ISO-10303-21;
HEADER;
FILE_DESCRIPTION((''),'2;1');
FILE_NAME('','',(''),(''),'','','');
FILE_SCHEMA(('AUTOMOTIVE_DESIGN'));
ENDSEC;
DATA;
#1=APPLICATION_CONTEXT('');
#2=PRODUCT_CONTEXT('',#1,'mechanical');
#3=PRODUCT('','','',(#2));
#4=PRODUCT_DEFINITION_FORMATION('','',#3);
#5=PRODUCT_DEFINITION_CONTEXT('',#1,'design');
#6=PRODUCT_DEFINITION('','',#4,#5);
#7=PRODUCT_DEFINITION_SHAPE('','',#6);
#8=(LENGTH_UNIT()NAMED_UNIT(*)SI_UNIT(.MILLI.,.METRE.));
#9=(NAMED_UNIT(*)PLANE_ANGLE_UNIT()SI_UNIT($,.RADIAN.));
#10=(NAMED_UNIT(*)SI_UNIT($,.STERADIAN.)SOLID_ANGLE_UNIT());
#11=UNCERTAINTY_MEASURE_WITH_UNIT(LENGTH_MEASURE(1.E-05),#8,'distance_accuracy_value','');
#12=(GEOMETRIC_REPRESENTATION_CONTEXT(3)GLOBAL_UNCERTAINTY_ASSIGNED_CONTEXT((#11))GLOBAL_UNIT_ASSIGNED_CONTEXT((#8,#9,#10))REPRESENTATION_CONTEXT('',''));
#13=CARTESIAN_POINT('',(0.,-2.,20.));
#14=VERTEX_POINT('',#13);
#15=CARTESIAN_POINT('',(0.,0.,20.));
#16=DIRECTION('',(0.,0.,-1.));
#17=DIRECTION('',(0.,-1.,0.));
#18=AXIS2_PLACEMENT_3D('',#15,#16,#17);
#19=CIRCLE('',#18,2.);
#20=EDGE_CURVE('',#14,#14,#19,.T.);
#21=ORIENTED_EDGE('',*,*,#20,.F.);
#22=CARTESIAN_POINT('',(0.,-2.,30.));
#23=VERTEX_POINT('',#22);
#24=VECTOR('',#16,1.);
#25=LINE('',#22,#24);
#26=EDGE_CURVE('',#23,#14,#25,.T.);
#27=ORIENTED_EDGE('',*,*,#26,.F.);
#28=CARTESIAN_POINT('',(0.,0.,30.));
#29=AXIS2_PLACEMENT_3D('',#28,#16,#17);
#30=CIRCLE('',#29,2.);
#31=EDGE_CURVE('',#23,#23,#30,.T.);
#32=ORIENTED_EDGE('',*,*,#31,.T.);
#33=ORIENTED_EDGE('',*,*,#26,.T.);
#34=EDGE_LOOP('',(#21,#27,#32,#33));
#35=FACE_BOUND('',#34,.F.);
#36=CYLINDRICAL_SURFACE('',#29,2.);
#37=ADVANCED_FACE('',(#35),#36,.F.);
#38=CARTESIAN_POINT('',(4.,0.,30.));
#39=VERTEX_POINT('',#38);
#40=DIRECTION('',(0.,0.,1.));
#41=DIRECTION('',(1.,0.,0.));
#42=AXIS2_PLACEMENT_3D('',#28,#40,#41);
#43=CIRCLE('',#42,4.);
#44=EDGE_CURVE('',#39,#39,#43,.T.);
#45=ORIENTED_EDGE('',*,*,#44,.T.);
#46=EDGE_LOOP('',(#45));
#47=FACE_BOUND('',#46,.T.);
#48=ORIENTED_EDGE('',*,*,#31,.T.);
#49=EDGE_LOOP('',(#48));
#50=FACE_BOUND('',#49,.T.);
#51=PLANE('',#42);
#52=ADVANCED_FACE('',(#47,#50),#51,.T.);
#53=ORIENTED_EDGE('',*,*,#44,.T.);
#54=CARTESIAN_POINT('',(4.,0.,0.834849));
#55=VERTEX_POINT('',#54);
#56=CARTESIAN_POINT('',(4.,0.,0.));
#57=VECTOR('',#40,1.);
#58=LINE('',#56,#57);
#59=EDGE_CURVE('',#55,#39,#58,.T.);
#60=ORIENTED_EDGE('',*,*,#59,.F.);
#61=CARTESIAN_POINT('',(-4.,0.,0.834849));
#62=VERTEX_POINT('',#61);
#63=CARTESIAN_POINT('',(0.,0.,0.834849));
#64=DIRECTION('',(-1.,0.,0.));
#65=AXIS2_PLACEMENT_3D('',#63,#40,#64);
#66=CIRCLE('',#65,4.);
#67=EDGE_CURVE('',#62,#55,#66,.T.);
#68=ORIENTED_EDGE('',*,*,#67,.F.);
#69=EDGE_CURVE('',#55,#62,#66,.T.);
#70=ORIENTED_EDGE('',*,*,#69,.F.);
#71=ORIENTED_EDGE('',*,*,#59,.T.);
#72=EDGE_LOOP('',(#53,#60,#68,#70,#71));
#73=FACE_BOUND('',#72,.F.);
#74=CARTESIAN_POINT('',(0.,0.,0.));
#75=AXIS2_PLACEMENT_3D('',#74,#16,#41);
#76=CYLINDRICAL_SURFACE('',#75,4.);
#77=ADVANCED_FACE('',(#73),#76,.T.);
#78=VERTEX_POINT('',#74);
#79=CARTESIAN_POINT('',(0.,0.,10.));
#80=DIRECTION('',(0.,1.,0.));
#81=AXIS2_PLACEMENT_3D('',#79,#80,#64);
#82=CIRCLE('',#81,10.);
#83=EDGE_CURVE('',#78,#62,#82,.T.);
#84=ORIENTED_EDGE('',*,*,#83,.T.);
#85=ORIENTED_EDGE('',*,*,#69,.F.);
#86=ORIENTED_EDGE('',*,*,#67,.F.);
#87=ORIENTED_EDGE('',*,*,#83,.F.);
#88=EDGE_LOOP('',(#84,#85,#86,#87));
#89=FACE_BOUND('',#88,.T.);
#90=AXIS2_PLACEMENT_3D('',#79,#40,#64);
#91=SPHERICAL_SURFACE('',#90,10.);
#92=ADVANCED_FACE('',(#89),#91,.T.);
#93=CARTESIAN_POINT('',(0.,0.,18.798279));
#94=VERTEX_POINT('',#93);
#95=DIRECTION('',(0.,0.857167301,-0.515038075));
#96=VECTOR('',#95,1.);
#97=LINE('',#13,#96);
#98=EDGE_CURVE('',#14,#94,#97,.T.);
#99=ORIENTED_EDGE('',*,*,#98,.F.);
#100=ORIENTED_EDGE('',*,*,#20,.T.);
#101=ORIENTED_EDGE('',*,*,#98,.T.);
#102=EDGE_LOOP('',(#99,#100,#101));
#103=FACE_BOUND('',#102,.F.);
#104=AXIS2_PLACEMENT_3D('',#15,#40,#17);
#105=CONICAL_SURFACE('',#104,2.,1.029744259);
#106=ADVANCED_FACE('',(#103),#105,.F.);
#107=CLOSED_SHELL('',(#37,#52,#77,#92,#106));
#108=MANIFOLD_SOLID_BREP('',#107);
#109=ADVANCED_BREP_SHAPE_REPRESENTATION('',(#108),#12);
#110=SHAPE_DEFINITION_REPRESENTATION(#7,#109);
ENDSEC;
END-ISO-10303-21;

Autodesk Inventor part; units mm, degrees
ref_plane "YZ Plane" through (0, 0, 0) normal (1, 0, 0) x (0, 1, 0)
ref_plane "XZ Plane" through (0, 0, 0) normal (0, 1, 0) x (-1, 0, 0)
ref_plane "XY Plane" through (0, 0, 0) normal (0, 0, 1) x (1, 0, 0)
sketch "Skizze_Grudnkörper" plane through (0, 0, 0) normal (0, 0, 1) x (1, 0, 0)
  circle A0 centre (0, 0) radius 4
  dimension "d0" = 8
extrude "Grundkörper" add sketch "Skizze_Grudnkörper" along normal blind 30
hole "Bohrung_4_mm" at (0, 0, 30) direction (0, 0, -1) diameter 4 depth 10 tip angle 118
sketch "Skizze2" plane through (0, 0, 0) normal (0, 1, 0) x (-1, 0, 0)
  line L0 (-4, 0) -> (-4, 30) projected
  line L1 (-4, 30) -> (-2, 30) projected
  line L2 (-2, 30) -> (-2, 20) projected
  line L3 (-2, 20) -> (0, 18.7983) projected
  line L4 (0, 18.7983) -> (2, 20) projected
  line L5 (2, 20) -> (2, 30) projected
  line L6 (2, 30) -> (4, 30) projected
  line L7 (4, 30) -> (4, 0) projected
  line L8 (4, 0) -> (-4, 0) projected
  line L9 (5.6, 0) -> (-5.6, 0) projected
  line L10 (0, -6) -> (0, 36) projected
  circle A0 centre (0, 10) radius 10
  point P0 (0, 0)
  point P1 (4, 0.8348)
  point P2 (0, 0)
  dimension "d12" = 20
revolve "Kugel" cut sketch "Skizze2" angle 360 about axis through (0, 0, -10) along (0, 0, 1) contours A0 L7 L8
properties material "Stahl, Legierung"
